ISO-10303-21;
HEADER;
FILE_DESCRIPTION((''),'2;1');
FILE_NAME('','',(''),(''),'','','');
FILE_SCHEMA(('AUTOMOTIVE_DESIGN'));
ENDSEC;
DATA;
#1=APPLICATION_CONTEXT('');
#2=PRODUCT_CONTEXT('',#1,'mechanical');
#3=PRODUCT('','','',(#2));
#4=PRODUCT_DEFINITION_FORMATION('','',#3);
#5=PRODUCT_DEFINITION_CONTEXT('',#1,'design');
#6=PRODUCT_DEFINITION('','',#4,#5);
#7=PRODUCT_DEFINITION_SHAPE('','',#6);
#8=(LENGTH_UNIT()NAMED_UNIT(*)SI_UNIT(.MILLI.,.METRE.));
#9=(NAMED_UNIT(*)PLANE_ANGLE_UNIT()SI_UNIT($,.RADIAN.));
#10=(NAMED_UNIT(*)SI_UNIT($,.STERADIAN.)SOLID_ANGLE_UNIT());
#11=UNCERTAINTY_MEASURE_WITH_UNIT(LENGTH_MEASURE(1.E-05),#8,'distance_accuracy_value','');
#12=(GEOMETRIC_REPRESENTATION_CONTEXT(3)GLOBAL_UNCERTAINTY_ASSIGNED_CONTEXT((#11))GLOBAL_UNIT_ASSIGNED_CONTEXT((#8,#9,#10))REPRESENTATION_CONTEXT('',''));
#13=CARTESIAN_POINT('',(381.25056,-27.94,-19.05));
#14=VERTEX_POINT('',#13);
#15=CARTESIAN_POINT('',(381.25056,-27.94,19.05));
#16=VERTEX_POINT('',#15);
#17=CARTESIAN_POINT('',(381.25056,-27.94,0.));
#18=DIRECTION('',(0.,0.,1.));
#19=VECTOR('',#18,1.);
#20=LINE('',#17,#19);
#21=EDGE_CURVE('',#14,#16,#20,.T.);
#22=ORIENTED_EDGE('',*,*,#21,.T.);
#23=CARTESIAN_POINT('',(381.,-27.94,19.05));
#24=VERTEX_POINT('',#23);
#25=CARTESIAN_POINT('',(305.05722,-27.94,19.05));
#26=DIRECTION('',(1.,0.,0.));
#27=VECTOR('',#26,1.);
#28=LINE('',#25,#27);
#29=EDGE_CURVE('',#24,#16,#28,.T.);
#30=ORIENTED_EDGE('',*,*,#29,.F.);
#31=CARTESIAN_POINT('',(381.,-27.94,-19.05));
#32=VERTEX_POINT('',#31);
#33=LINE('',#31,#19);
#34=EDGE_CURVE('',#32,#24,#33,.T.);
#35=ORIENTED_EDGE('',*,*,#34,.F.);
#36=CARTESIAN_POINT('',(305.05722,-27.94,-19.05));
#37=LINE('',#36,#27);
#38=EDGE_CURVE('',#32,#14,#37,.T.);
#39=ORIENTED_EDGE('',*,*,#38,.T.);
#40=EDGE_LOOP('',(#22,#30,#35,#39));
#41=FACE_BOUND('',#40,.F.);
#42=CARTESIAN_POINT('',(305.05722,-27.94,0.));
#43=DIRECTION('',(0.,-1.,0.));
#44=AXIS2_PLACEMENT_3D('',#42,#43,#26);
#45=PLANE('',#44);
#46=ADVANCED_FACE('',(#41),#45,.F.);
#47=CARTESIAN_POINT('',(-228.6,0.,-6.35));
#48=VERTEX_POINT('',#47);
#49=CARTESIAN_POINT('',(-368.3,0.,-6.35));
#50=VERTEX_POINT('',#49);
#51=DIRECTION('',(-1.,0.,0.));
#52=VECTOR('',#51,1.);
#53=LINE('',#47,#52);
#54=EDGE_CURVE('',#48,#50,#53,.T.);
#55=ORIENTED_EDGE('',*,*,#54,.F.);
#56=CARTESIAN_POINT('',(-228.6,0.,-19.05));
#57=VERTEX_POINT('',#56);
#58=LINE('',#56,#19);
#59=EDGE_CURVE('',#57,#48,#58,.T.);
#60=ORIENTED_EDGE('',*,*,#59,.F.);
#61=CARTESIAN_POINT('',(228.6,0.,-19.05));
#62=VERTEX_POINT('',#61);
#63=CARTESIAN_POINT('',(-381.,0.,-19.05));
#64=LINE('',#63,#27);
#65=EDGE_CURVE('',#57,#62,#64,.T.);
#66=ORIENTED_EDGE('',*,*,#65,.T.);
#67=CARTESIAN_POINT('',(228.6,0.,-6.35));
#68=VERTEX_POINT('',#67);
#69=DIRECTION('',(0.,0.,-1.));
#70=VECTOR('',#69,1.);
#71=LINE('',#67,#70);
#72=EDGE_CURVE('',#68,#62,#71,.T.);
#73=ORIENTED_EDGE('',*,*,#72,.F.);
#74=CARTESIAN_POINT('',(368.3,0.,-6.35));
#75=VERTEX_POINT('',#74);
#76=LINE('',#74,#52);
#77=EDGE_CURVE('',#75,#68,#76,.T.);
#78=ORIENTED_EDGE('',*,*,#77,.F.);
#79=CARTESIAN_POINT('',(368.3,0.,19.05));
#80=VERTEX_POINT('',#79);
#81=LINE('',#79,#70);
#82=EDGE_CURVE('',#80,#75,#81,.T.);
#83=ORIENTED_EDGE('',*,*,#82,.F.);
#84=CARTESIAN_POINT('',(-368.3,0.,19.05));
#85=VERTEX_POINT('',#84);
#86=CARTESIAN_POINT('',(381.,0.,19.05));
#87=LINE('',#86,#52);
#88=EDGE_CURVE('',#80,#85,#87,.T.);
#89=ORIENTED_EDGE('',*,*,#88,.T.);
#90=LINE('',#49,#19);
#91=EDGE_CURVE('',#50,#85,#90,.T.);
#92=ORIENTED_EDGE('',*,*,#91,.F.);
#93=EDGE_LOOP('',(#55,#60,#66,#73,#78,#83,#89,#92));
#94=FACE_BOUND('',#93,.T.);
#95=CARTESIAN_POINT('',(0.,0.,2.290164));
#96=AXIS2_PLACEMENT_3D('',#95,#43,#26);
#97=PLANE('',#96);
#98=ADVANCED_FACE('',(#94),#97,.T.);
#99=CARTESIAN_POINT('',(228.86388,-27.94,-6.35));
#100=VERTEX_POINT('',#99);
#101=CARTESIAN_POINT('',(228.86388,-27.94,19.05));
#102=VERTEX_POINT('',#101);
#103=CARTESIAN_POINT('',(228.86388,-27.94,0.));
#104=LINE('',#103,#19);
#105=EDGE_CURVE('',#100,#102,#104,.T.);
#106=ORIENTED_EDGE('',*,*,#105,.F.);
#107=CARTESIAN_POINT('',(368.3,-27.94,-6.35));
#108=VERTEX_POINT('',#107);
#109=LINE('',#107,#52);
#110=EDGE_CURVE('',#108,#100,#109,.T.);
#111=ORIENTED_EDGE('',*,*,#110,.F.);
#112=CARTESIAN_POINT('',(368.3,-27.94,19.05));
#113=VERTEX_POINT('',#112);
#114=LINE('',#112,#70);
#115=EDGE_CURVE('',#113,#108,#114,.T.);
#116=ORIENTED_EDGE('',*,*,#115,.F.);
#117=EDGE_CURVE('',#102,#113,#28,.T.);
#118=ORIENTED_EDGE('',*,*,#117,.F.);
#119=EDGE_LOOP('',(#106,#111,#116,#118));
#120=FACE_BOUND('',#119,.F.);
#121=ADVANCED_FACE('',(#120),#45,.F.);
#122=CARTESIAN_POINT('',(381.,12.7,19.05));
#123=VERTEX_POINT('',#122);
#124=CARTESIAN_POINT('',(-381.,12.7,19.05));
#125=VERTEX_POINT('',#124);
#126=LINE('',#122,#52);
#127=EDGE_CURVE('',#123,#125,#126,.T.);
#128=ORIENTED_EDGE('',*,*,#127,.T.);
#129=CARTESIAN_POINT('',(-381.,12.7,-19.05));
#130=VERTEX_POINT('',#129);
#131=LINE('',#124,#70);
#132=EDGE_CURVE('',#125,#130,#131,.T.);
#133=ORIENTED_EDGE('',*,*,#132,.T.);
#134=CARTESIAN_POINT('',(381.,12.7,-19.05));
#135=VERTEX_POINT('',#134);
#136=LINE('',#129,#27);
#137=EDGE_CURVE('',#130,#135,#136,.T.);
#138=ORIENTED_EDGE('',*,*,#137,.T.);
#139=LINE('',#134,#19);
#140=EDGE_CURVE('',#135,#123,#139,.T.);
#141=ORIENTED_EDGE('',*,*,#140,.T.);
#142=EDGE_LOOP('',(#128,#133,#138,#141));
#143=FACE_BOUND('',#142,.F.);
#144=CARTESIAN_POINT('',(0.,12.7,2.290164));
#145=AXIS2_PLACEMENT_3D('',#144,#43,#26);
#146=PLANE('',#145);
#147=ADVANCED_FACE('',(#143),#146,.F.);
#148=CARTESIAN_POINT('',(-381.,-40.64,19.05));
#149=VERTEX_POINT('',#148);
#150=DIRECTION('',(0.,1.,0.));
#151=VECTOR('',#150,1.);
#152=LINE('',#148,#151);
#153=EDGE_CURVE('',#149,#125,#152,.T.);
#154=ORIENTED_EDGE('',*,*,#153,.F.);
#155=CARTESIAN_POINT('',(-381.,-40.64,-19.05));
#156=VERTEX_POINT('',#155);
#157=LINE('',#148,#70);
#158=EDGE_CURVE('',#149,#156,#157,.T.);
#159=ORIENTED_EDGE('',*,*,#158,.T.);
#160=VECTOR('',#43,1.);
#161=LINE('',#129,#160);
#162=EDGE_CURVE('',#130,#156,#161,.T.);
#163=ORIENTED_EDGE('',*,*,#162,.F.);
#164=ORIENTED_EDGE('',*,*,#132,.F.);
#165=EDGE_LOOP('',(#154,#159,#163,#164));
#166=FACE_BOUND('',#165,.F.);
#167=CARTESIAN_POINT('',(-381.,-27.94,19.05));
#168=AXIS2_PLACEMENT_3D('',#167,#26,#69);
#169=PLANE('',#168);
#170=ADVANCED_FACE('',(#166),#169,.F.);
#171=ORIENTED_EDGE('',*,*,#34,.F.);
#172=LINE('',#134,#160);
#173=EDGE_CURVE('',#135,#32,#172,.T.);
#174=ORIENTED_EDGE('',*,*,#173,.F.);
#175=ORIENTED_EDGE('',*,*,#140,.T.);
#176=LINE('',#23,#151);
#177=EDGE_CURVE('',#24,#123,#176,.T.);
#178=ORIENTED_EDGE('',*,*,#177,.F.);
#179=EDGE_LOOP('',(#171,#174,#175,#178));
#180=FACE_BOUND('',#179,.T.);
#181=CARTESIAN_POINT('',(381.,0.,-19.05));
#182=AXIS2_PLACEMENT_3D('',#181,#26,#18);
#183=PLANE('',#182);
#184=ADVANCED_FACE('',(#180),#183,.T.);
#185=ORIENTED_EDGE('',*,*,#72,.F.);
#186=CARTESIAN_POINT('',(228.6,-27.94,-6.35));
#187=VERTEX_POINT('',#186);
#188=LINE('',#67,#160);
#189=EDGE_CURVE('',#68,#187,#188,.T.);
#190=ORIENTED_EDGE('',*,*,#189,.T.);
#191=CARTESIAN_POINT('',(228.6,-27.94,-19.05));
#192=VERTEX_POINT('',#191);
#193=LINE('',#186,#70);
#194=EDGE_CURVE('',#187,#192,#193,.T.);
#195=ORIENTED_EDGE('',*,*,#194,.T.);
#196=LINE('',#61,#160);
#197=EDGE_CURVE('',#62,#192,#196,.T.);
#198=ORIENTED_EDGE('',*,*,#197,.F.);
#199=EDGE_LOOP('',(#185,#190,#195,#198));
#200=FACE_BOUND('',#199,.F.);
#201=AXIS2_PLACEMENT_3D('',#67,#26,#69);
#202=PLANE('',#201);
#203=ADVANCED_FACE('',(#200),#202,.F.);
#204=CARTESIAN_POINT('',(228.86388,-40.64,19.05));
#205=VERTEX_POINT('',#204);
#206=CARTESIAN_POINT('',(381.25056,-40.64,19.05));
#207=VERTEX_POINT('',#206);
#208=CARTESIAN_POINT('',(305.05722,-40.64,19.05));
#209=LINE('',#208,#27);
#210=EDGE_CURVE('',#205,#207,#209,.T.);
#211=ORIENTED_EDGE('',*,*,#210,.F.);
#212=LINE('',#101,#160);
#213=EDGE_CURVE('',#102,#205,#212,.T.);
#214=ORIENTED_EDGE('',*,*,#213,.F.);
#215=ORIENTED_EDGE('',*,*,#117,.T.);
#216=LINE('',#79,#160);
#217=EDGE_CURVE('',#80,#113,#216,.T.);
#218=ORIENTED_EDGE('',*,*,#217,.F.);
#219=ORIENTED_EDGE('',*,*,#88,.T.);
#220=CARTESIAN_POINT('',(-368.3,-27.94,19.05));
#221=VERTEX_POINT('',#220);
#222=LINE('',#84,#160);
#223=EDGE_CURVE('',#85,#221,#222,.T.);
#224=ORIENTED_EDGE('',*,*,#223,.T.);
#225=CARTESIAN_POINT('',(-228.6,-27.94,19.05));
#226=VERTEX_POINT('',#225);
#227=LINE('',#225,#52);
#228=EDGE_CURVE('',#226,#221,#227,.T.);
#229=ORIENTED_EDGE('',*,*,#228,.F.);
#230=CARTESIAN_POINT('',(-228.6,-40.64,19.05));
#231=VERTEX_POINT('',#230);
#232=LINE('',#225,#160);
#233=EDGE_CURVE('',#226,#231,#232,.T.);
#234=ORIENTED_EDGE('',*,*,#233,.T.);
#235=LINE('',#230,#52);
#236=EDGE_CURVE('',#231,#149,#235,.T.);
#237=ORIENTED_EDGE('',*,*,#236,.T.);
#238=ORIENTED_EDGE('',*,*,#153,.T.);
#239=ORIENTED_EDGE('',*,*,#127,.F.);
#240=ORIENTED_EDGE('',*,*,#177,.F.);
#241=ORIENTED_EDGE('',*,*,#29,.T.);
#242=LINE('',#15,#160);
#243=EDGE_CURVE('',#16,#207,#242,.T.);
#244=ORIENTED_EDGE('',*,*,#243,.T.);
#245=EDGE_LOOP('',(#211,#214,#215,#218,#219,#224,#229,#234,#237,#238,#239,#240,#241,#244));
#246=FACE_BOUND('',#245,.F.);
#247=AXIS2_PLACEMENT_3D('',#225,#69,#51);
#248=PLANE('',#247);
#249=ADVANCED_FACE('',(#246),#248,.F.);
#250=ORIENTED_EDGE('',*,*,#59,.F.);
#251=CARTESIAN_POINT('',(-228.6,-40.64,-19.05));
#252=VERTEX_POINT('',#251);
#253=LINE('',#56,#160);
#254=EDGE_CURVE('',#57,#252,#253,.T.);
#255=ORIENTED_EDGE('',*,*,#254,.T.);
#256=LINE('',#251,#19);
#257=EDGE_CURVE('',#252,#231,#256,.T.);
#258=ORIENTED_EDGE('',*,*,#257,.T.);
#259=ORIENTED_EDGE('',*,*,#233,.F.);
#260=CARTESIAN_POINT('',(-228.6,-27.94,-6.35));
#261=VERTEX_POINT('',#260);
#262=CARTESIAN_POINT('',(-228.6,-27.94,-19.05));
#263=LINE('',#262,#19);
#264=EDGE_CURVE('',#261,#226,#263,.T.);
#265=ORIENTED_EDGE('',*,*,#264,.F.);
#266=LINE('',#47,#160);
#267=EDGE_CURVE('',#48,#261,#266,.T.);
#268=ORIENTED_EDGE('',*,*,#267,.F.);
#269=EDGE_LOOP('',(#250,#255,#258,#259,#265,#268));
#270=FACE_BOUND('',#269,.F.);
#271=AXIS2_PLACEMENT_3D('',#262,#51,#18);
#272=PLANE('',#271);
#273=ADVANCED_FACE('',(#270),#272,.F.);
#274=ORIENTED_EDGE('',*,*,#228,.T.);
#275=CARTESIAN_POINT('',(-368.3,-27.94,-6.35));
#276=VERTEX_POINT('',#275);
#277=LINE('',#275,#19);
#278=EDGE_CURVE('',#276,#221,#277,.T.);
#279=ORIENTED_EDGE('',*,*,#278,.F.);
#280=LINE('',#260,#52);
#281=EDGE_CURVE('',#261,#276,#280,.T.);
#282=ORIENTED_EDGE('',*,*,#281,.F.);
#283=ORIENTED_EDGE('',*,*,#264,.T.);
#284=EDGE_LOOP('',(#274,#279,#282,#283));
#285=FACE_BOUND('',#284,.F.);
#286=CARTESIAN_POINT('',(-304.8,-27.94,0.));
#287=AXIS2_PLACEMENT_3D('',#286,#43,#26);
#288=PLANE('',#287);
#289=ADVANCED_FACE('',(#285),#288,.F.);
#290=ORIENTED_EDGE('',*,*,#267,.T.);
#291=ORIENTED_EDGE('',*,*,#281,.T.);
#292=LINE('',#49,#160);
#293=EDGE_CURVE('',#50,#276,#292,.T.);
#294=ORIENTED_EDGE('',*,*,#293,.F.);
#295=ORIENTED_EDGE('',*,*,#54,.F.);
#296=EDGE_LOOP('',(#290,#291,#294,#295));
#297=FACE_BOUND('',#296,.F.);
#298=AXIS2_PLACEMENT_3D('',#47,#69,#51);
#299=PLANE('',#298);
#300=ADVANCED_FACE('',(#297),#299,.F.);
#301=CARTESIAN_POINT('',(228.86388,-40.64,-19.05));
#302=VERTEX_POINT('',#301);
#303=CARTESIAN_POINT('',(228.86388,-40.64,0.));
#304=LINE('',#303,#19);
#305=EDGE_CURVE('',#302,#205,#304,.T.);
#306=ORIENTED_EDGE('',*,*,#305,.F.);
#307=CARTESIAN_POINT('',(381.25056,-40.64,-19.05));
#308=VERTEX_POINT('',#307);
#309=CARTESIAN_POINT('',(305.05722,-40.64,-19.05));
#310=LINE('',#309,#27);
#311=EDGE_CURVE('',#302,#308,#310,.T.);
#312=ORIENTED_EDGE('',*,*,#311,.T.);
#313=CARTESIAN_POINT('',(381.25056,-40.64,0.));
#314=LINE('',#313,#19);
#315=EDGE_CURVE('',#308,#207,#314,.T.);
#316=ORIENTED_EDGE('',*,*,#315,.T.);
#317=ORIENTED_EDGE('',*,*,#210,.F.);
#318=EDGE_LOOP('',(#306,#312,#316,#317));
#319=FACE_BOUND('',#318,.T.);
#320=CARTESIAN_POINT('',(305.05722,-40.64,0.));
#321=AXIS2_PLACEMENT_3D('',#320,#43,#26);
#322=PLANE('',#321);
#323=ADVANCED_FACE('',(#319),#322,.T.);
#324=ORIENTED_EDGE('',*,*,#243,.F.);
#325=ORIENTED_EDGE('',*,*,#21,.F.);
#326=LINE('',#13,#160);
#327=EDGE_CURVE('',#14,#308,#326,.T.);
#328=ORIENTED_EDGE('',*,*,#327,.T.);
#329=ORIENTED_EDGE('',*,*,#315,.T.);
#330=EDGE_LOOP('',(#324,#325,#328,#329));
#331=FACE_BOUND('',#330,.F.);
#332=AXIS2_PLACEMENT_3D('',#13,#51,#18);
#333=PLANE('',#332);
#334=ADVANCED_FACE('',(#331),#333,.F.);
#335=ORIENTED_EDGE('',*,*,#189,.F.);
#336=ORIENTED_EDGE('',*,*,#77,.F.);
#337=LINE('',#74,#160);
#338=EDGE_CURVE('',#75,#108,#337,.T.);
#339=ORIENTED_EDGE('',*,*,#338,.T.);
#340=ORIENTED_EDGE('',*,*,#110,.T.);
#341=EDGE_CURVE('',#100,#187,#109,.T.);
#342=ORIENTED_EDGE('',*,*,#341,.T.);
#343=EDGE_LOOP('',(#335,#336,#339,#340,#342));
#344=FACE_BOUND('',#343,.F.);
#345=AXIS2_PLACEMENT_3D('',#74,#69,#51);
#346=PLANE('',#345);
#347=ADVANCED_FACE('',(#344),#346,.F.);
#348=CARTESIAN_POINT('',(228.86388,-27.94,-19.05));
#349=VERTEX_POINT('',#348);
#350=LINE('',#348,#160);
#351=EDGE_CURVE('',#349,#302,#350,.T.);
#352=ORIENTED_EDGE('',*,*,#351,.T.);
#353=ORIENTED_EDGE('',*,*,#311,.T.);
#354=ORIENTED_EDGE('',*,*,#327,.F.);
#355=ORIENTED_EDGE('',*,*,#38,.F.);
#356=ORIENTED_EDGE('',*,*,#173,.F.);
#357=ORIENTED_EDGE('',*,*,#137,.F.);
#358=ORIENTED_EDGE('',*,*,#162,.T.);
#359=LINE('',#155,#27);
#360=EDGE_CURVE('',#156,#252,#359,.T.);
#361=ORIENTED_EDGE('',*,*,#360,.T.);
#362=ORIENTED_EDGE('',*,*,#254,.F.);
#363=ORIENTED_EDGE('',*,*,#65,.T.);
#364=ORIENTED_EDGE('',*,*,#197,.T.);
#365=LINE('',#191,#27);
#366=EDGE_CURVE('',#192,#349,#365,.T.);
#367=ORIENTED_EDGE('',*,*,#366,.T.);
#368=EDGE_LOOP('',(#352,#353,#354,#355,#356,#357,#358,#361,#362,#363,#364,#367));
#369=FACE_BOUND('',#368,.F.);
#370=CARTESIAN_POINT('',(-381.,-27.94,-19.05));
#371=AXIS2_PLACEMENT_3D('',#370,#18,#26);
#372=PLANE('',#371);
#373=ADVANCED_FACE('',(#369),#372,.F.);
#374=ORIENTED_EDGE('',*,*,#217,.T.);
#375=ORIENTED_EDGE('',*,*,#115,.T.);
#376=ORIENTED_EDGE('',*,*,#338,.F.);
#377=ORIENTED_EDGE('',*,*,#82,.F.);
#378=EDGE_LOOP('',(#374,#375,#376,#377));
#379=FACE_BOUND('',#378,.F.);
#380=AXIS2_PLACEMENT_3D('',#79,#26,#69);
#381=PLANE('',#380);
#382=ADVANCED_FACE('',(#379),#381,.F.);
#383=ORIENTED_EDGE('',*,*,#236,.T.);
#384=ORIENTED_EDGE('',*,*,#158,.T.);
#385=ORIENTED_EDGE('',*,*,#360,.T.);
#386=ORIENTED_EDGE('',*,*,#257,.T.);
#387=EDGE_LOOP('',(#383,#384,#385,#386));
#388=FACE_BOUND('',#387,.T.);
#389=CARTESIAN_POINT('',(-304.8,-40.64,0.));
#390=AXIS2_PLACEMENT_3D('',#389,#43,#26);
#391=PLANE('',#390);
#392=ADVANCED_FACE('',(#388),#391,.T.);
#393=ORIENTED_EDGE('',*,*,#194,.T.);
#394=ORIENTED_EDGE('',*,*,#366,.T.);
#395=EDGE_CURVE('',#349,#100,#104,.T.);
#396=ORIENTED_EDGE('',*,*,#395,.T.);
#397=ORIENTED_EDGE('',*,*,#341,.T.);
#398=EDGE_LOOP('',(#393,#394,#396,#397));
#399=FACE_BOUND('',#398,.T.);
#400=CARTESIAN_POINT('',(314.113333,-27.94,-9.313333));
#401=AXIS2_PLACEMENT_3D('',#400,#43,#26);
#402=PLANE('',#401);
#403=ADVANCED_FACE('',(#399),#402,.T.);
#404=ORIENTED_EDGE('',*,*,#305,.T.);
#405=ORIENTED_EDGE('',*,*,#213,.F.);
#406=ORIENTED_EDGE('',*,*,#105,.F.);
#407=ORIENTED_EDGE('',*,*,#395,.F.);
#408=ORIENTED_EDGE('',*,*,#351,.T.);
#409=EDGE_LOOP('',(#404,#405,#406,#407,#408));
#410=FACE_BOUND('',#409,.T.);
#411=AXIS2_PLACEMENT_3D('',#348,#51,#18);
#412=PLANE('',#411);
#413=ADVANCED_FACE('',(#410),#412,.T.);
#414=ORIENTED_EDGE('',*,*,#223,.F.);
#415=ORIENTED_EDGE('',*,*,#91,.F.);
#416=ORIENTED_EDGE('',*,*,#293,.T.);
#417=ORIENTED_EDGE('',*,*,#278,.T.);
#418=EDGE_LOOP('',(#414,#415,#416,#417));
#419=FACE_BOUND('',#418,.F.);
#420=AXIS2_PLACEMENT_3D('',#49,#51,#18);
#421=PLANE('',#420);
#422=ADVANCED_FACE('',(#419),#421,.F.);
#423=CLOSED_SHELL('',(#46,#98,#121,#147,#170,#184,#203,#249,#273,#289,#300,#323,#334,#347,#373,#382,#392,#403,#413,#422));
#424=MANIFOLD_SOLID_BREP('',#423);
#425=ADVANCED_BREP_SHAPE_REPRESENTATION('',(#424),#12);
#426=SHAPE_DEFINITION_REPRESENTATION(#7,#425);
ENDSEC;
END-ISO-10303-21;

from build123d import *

# Parameters (mm, degrees)
F1_DEPTH = 12.7
F2_DEPTH = 27.94
F3_W     = 152.38668
F3_H     = 38.1
F4_DEPTH = 12.7


with BuildPart() as f1:
    # F0 (on Front) → F1 (new body)
    with BuildSketch(Plane.XZ):
        Polygon((368.3, 19.05), (-368.3, 19.05), (-368.3, -6.35), (-228.6, -6.35), (-228.6, -19.05), (228.6, -19.05), (228.6, -6.35), (368.3, -6.35), align=None)
        Polygon((-368.3, 19.05), (-381, 19.05), (-381, -19.05), (-228.6, -19.05), (-228.6, -6.35), (-368.3, -6.35), align=None)
        Polygon((381, 19.05), (368.3, 19.05), (368.3, -6.35), (228.6, -6.35), (228.6, -19.05), (381, -19.05), align=None)
    extrude(amount=-F1_DEPTH)

    # F0 (on Front) → F2 (join)
    with BuildSketch(Plane.XZ):
        Polygon((-368.3, 19.05), (-381, 19.05), (-381, -19.05), (-228.6, -19.05), (-228.6, -6.35), (-368.3, -6.35), align=None)
        Polygon((381, 19.05), (368.3, 19.05), (368.3, -6.35), (228.6, -6.35), (228.6, -19.05), (381, -19.05), align=None)
    extrude(amount=F2_DEPTH)

    # F3 (on face) → F4 (join)
    with BuildSketch(Plane.XZ.offset(27.94)):
        Polygon((-368.3, 19.05), (-381, 19.05), (-381, -19.05), (-228.6, -19.05), (-228.6, 19.05), align=None)
        with Locations((305.05722, 0)):
            Rectangle(F3_W, F3_H)
    extrude(amount=F4_DEPTH)


solid = f1.part
